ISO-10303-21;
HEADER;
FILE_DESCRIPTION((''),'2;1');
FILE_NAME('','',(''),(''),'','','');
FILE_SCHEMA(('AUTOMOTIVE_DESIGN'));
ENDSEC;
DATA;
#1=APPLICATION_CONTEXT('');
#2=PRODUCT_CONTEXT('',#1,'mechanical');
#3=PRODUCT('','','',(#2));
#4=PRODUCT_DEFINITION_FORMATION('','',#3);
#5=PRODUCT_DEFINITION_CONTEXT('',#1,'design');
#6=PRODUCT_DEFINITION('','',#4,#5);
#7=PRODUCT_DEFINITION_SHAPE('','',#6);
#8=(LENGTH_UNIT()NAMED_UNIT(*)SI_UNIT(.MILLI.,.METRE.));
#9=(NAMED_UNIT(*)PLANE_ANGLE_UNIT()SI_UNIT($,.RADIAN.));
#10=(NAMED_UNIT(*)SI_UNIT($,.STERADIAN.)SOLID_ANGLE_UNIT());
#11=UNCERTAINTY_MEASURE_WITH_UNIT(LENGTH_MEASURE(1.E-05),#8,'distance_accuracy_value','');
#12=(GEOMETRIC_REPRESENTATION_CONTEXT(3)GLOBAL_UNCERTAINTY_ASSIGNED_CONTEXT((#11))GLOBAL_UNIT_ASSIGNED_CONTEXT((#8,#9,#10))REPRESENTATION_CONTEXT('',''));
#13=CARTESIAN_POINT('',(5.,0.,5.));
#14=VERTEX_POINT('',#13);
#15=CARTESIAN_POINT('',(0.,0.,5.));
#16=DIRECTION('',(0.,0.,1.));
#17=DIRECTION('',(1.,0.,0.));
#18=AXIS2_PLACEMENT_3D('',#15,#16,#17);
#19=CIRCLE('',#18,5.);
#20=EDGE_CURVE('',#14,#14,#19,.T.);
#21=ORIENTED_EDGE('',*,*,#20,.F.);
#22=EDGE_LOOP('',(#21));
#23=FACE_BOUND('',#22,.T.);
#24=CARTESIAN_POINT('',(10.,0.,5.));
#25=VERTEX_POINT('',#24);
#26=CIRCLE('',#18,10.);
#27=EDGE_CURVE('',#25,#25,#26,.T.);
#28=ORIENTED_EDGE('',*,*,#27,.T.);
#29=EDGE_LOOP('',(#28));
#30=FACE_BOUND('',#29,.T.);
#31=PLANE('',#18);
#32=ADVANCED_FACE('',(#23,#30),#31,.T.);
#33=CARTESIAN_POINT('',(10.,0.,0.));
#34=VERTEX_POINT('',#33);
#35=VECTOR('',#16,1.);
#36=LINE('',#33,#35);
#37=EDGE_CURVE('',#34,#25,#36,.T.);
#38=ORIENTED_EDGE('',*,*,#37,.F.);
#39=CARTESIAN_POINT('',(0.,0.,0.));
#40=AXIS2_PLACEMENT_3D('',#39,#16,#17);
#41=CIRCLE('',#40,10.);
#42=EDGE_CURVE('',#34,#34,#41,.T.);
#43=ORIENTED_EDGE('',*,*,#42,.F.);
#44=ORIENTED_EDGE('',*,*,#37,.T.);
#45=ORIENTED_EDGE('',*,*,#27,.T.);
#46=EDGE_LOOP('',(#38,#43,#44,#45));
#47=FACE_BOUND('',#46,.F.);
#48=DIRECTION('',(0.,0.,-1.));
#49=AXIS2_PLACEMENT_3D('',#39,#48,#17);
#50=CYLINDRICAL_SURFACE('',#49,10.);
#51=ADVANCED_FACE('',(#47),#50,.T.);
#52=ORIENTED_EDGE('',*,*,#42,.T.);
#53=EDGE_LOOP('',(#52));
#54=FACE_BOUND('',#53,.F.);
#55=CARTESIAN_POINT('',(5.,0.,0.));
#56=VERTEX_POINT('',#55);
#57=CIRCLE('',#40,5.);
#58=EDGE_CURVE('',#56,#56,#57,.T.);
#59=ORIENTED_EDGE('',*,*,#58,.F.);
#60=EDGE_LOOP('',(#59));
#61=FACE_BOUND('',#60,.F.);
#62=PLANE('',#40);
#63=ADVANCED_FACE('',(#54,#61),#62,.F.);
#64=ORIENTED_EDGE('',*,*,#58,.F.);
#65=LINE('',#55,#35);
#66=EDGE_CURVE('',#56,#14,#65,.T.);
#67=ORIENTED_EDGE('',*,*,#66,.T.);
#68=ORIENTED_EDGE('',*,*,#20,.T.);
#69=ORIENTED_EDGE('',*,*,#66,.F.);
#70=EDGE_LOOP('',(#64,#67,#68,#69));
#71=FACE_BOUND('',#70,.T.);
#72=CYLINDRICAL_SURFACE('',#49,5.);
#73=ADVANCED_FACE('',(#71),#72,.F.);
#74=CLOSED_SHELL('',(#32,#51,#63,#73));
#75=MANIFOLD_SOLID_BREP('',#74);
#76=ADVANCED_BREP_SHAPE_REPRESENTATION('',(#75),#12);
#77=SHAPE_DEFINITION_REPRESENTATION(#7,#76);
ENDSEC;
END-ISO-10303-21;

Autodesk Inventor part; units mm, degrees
ref_plane "YZ Plane" through (0, 0, 0) normal (1, 0, 0) x (0, 1, 0)
ref_plane "XZ Plane" through (0, 0, 0) normal (0, 1, 0) x (-1, 0, 0)
ref_plane "XY Plane" through (0, 0, 0) normal (0, 0, 1) x (1, 0, 0)
sketch "Skizze3" plane through (0, 0, 0) normal (0, 0, 1) x (1, 0, 0)
  circle A0 centre (0, 0) radius 10
  circle A1 centre (0, 0) radius 5
  dimension "d4" = 20
  dimension "d5" = 10
extrude "Extrusion3" add sketch "Skizze3" along normal blind 5
properties part number "BT304_trajan20_21" material "Acryl"
